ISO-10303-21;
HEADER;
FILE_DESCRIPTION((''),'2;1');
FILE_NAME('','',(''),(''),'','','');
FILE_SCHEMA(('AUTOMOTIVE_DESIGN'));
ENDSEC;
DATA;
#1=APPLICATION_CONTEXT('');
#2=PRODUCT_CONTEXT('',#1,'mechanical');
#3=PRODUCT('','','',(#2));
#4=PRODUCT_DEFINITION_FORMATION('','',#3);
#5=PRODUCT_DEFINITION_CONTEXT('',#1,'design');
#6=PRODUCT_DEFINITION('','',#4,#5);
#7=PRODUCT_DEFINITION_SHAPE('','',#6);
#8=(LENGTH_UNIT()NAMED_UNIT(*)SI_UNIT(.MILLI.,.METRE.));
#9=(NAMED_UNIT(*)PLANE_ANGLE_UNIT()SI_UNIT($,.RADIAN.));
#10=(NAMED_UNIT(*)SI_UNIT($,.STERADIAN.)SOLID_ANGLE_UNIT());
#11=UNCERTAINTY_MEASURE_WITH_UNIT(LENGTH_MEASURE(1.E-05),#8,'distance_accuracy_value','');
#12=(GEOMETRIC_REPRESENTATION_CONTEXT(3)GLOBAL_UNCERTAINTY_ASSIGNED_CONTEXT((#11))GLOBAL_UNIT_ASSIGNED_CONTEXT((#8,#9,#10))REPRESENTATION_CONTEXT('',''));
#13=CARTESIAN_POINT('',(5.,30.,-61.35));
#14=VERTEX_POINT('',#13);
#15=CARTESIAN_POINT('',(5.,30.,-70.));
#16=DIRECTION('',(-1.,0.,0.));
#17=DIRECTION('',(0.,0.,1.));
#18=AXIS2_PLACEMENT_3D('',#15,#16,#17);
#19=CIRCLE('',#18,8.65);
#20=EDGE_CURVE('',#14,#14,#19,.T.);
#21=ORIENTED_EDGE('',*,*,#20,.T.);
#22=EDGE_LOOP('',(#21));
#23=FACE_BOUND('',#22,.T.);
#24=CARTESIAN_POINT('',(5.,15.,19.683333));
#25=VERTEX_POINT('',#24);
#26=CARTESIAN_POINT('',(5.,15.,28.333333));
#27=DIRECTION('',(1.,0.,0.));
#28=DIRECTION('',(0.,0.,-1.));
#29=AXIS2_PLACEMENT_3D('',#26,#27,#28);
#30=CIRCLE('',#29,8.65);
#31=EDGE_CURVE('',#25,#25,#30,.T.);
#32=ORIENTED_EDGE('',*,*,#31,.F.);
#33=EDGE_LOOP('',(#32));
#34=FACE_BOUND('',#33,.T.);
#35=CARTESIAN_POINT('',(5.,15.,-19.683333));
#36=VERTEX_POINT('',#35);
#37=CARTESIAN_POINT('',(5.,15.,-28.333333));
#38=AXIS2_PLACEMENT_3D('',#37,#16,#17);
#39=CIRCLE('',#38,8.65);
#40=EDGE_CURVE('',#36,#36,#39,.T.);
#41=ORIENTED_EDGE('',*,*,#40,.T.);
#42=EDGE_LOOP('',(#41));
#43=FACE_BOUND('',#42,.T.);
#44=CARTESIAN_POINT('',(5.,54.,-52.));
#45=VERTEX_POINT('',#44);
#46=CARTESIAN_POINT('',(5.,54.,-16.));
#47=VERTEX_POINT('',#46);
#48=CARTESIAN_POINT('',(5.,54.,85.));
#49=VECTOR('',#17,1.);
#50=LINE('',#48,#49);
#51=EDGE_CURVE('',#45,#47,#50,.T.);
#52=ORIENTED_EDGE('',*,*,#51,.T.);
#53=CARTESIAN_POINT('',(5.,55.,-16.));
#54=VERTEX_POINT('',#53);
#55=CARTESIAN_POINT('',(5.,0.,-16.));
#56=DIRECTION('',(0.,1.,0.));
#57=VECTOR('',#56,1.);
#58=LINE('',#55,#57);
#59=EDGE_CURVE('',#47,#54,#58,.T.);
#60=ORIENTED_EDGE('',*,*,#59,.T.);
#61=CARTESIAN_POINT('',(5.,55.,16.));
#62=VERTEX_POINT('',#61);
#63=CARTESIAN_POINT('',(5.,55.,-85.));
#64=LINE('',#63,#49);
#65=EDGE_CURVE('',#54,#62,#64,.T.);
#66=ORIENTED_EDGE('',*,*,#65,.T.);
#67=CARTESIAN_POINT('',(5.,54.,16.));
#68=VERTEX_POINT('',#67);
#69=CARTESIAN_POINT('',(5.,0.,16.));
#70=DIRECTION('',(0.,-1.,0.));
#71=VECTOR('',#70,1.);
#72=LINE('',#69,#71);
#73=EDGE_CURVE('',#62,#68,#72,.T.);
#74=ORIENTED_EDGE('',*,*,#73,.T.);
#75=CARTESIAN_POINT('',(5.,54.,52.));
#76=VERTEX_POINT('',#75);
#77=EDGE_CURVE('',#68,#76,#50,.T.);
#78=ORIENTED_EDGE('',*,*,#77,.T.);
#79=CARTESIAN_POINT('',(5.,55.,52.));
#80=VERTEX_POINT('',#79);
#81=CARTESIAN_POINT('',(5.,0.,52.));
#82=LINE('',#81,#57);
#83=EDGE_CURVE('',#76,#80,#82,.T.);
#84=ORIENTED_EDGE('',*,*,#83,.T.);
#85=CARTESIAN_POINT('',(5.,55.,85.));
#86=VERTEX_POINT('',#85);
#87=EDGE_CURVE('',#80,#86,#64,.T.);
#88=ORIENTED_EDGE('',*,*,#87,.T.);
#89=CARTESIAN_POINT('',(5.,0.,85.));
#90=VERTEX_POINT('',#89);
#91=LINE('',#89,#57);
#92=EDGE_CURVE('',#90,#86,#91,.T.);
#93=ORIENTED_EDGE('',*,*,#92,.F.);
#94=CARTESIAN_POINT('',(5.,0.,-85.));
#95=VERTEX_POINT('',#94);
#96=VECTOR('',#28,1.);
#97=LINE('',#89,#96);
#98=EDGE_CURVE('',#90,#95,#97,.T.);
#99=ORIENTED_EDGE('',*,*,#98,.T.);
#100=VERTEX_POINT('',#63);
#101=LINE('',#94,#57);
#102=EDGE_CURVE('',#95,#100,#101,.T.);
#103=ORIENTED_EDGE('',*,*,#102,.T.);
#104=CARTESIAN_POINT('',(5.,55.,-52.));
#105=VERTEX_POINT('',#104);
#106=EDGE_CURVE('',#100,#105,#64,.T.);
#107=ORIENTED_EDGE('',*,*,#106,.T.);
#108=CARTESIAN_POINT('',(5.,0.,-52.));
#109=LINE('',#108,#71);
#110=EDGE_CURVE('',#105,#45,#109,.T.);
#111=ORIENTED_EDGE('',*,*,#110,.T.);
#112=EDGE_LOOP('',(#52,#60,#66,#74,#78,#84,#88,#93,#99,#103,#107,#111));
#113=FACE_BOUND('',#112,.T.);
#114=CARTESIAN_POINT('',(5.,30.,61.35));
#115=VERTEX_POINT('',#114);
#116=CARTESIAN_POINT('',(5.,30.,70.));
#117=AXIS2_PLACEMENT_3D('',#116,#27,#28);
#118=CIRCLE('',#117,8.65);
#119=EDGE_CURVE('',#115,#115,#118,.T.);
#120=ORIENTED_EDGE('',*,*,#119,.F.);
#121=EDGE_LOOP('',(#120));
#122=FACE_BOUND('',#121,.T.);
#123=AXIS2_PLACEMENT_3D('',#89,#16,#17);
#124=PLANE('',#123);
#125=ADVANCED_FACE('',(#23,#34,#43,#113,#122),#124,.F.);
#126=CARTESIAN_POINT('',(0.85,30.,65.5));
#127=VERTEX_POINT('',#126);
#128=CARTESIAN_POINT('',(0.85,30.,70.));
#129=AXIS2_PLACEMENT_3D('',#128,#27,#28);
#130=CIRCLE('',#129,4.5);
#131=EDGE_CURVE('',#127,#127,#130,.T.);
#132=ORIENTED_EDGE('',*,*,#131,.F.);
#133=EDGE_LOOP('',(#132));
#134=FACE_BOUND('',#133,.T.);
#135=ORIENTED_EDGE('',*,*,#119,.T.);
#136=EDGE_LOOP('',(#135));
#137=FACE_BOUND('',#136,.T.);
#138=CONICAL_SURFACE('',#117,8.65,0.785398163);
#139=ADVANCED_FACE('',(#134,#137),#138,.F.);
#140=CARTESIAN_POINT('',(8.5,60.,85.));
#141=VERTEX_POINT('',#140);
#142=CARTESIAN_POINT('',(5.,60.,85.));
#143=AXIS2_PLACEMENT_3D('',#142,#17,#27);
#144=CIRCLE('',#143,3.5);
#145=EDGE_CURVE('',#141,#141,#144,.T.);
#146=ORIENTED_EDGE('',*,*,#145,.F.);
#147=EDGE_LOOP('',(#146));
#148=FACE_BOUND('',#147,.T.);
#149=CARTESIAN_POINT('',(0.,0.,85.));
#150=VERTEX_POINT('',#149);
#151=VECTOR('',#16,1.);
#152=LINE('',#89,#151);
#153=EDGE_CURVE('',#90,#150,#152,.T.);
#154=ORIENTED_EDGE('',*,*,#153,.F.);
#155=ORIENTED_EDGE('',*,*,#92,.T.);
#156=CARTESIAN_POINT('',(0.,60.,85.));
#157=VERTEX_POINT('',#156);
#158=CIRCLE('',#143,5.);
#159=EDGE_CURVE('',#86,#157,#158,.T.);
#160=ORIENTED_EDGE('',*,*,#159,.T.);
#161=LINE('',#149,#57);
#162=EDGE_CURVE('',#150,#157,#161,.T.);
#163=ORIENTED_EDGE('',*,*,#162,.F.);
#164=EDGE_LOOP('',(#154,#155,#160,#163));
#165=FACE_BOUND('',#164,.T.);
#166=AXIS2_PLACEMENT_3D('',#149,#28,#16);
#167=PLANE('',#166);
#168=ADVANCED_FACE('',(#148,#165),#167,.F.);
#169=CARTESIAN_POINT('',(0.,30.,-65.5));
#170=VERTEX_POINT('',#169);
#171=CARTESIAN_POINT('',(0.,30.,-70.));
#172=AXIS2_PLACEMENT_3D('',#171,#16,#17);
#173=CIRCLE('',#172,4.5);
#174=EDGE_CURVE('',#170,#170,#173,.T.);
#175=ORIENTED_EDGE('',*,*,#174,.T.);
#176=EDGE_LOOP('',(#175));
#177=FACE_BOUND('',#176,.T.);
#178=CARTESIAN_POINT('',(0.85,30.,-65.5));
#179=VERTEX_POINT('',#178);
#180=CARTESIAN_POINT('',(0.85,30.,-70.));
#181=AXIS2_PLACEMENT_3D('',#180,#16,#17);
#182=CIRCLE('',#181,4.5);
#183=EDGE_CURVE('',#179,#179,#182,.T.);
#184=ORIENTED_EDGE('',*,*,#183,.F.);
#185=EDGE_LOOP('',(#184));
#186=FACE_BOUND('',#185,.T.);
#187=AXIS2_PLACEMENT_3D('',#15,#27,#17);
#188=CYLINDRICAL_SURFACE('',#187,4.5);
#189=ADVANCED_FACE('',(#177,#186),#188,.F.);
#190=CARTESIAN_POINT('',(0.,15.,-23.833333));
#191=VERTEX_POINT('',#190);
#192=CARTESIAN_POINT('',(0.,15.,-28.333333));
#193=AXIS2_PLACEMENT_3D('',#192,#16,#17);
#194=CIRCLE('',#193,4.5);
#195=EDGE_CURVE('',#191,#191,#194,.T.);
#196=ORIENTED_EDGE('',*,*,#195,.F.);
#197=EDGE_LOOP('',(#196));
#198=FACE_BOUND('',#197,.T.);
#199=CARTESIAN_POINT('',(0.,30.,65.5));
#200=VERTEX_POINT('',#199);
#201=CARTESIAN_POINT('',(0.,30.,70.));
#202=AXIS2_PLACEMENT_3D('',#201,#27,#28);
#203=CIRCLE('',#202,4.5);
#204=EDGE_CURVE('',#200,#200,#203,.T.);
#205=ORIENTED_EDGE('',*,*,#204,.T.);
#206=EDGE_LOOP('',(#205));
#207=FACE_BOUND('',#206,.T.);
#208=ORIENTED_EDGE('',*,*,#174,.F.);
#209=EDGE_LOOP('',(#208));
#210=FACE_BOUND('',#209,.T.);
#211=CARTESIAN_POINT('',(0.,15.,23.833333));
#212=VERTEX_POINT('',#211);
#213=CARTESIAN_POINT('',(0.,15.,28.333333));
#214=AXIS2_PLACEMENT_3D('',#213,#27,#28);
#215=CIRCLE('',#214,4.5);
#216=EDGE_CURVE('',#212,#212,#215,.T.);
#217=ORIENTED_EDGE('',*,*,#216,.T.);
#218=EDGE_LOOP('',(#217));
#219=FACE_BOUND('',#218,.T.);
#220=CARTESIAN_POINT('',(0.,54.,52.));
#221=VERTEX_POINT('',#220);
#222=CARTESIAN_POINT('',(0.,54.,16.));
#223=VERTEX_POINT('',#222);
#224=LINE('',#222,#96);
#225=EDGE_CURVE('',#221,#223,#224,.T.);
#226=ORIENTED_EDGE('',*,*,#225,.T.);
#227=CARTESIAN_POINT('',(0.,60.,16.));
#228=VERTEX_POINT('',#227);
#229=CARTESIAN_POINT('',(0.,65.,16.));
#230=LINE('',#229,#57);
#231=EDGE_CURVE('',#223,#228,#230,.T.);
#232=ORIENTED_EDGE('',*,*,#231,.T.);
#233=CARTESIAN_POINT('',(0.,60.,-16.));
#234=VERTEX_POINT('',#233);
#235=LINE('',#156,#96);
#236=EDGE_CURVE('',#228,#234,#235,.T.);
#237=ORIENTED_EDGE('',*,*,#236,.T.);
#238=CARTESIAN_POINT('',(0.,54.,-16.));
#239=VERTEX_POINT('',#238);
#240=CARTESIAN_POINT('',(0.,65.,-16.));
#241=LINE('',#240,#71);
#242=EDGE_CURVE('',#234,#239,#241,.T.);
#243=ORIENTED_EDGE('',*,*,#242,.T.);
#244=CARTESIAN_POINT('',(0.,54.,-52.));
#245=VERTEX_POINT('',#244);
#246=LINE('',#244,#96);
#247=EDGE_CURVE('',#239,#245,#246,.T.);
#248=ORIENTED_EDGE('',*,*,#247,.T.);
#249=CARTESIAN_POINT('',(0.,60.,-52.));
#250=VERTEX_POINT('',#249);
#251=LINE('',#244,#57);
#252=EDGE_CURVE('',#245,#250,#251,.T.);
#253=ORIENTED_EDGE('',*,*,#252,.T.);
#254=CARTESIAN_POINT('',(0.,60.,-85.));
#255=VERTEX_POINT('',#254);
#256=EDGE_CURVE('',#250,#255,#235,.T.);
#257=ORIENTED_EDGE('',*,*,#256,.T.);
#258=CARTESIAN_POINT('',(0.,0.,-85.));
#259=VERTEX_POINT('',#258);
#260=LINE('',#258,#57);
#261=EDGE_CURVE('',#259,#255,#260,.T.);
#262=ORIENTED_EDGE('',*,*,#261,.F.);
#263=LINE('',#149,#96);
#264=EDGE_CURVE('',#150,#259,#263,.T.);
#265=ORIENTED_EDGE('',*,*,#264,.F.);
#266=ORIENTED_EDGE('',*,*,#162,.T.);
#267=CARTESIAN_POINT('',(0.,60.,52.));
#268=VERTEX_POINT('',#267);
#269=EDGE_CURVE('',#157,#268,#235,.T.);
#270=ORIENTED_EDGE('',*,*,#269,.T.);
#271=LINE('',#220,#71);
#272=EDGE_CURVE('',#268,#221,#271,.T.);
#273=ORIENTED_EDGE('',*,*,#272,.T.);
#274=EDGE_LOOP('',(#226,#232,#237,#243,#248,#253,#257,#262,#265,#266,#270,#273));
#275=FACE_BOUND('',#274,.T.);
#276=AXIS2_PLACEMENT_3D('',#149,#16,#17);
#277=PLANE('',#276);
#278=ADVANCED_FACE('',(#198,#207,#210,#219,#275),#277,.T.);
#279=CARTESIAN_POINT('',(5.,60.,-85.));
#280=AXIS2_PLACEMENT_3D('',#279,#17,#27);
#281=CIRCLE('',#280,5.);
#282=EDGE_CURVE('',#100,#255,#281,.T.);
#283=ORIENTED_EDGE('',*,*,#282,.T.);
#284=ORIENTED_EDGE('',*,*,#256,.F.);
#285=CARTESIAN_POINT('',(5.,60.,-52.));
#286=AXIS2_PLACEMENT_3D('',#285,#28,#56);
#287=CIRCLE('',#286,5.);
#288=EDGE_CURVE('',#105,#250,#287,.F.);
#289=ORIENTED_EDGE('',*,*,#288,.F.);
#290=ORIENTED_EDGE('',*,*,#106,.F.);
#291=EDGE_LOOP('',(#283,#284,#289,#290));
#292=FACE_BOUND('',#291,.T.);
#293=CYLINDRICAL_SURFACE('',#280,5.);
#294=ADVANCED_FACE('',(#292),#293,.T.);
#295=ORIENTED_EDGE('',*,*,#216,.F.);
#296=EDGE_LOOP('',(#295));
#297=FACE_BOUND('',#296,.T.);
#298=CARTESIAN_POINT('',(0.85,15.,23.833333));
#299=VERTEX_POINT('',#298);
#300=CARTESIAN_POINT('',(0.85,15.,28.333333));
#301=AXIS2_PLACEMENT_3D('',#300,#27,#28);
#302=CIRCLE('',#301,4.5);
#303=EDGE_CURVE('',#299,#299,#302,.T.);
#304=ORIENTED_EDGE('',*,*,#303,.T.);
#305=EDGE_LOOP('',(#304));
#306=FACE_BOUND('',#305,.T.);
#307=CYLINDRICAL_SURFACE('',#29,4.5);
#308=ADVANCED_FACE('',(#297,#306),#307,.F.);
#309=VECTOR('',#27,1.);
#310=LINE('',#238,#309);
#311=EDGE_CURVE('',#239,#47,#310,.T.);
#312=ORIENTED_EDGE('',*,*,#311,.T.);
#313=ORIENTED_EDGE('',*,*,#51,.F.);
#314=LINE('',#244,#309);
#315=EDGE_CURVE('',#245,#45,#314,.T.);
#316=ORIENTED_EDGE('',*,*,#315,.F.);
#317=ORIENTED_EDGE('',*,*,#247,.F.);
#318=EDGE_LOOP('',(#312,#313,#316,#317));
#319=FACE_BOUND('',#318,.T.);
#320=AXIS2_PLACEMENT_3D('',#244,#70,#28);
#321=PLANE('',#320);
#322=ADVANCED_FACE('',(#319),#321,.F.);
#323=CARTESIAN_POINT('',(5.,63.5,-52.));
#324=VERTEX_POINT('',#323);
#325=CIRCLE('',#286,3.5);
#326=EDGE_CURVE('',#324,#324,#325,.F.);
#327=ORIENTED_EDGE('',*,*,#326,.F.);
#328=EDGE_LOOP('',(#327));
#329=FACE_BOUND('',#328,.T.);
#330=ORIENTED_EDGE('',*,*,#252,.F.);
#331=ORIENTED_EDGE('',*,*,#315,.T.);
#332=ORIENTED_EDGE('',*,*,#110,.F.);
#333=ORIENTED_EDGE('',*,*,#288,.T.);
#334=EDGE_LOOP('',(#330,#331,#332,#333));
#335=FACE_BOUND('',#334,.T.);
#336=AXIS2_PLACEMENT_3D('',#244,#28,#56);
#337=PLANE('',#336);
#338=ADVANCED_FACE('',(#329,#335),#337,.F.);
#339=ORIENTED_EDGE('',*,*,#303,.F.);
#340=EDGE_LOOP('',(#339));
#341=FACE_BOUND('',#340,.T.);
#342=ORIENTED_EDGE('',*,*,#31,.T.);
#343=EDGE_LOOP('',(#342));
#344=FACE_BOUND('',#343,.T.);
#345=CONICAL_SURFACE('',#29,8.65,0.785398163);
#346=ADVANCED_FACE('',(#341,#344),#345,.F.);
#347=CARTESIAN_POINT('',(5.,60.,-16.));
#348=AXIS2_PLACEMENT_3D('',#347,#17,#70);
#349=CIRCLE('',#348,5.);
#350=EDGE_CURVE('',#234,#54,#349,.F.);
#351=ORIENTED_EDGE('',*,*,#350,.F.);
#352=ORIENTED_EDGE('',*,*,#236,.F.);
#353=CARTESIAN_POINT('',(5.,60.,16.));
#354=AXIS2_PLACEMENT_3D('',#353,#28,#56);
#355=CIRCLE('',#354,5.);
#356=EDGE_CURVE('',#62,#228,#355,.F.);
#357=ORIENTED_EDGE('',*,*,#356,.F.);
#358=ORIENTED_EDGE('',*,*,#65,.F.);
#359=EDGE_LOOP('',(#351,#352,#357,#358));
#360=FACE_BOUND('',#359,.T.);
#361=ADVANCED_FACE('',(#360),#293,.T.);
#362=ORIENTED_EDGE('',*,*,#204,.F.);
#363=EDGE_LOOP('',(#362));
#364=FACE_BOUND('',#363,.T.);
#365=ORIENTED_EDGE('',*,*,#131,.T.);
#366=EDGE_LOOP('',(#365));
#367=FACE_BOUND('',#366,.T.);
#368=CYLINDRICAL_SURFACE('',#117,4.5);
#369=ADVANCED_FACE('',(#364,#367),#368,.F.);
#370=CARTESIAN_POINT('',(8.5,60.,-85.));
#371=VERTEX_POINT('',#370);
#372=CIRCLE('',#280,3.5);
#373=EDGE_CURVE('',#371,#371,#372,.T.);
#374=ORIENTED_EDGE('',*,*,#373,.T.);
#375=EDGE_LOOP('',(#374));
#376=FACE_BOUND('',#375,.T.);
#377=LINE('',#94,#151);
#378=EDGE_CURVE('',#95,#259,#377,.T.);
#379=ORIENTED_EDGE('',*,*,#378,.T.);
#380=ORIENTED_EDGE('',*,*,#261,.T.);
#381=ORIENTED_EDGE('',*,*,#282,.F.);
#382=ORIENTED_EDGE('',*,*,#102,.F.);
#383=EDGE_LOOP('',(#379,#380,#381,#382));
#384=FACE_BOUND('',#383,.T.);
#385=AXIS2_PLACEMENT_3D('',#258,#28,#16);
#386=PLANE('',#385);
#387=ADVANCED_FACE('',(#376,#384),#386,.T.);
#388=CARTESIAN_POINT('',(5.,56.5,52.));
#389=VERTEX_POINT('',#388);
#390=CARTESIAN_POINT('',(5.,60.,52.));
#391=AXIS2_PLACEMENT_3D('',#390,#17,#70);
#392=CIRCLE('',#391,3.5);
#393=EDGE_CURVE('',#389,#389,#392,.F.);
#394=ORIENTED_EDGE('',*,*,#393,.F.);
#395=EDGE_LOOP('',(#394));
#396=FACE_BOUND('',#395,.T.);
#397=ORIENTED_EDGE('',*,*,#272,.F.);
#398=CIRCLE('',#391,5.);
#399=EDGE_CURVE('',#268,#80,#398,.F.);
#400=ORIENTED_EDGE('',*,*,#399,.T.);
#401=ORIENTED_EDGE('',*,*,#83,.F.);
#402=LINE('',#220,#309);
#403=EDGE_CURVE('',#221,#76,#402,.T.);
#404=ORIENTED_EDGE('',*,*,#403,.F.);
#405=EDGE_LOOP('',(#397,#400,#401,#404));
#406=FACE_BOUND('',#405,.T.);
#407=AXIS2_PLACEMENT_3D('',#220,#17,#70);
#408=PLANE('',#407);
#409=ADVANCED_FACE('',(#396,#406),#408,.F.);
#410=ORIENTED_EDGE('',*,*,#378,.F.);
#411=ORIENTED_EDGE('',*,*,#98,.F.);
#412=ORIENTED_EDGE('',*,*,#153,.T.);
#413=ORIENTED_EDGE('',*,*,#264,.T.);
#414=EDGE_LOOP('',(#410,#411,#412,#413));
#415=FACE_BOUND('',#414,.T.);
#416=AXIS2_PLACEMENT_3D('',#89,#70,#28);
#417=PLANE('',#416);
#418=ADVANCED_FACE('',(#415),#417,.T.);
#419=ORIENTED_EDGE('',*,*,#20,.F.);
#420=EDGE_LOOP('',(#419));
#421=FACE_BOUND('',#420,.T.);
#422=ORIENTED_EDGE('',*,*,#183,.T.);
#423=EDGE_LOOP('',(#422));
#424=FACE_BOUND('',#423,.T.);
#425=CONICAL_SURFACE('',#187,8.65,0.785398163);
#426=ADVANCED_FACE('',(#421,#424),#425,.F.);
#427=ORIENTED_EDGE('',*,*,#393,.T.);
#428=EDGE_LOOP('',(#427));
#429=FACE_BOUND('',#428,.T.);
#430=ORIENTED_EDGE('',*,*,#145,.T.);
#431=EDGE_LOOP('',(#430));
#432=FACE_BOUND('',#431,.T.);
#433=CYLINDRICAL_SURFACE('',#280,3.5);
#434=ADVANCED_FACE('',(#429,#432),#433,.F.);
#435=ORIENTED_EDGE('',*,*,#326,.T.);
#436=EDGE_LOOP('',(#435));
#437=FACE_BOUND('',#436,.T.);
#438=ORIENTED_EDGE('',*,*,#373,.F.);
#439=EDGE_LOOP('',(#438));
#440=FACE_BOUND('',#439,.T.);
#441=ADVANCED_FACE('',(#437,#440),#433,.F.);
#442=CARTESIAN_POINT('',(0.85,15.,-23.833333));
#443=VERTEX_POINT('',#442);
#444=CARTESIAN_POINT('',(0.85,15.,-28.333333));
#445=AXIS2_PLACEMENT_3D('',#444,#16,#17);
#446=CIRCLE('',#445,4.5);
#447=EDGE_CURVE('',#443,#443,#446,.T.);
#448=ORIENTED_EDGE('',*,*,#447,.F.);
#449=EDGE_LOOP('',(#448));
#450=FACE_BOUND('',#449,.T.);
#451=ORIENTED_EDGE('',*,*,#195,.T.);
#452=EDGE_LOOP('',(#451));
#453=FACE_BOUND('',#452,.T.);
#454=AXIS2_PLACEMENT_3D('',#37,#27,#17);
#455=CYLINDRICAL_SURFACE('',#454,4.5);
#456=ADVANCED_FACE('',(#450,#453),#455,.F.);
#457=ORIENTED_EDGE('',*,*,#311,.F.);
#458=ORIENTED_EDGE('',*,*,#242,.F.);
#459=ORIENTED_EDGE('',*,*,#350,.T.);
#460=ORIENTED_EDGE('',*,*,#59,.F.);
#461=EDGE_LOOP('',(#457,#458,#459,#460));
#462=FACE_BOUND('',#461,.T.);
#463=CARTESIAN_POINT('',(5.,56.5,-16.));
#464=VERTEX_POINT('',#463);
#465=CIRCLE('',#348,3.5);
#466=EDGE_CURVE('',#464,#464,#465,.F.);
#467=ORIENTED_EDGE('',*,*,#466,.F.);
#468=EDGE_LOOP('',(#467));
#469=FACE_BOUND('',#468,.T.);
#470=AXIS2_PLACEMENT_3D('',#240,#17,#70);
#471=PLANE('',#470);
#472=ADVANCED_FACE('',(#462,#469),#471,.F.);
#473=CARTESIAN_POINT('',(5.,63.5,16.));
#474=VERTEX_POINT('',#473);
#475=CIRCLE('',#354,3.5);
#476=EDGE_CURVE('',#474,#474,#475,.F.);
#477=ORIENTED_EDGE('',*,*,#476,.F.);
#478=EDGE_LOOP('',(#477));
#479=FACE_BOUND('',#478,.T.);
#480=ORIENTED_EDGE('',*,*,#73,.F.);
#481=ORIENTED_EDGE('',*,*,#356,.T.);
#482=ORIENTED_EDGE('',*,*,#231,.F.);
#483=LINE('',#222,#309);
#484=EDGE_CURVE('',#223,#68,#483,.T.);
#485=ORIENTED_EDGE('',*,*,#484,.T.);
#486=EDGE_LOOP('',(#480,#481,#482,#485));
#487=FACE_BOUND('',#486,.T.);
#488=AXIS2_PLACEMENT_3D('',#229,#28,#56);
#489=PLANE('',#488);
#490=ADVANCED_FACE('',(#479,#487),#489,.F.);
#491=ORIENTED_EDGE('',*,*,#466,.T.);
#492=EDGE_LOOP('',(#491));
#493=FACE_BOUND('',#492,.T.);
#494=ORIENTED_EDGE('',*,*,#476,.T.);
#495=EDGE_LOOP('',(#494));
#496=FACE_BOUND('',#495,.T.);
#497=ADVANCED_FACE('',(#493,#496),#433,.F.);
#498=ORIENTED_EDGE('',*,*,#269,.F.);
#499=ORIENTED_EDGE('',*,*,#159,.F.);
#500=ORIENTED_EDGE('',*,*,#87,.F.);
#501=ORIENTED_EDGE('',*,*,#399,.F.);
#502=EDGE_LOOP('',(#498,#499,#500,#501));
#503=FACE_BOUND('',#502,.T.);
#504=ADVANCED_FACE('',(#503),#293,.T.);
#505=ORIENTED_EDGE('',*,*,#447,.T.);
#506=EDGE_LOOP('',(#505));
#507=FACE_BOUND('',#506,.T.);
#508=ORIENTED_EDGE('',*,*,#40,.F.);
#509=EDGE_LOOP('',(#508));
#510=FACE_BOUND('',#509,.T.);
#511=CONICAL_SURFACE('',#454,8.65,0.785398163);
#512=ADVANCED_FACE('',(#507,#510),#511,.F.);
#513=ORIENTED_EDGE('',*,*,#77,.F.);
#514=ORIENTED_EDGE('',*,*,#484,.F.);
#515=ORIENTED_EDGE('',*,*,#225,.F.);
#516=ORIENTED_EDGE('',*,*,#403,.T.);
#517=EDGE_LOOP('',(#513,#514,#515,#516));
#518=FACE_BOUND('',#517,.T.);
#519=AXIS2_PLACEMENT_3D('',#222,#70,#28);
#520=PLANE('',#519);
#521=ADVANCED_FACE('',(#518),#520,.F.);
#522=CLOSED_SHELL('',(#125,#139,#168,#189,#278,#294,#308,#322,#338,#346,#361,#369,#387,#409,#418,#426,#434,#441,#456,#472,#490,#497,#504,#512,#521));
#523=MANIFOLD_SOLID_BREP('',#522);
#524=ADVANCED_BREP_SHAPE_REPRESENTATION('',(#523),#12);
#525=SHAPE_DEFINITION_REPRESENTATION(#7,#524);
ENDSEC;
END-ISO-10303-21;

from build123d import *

# Parameters (mm, degrees)
SKETCH1_W                                      = 5
SKETCH1_H                                      = 60
EXTRUDE_THIN1_DEPTH                            = 85
SKETCH3_R                                      = 5
SKETCH4_R                                      = 3.5
CUT_EXTRUDE1_DEPTH                             = 183.277261336
CSK_FOR_M8_FLAT_HEAD_MACHINE_SCREW1_AT_2_COUNT = 2
CSK_FOR_M8_FLAT_HEAD_MACHINE_SCREW1_AT_2_PITCH = 44.284434185
F_2CUTS_DEPTH                                  = 108.121426428
F_2CUTS_DEPTH_BACK                             = 108.121426428
SKETCH9_W                                      = 36
SKETCH9_H                                      = 11


with BuildPart() as part:
    # Sketch1 → Extrude-Thin1 (new, symmetric)
    with BuildSketch(Plane.XY):
        with Locations((2.5, 30)):
            Rectangle(SKETCH1_W, SKETCH1_H)
    extrude(amount=EXTRUDE_THIN1_DEPTH, both=True)

    # Sweep1: sweep along a curve in space
    with BuildLine() as sweep1_path:
        Line((5, 60, 85), (5, 60, -85))
    # Sketch3 → Sweep1 (sweep)
    with BuildSketch(Plane.XY.offset(85)):
        with Locations((5, 60)):
            Circle(SKETCH3_R)
    sweep(path=sweep1_path.line)

    # Sketch4 → Cut-Extrude1 (cut, through all)
    with BuildSketch(Plane.XY.offset(85)):
        with Locations((5, 60)):
            Circle(SKETCH4_R)
    extrude(amount=-CUT_EXTRUDE1_DEPTH, mode=Mode.SUBTRACT)

    # Sketch5 → CSK for M8 Flat Head Machine Screw1 (revolve, cut)
    with BuildSketch(Plane(origin=(5, 30, 70), x_dir=(0, 0, -1), z_dir=(0, 1, 0))):
        Polygon((0, 0), (0, 5), (4.5, 5), (4.5, 4.15), (8.65, 0), align=None)
    csk_for_m8_flat_head_machine_screw1 = revolve(axis=Axis((11.35, 30, 70), (-1, 0, 0)), mode=Mode.SUBTRACT)

    # CSK for M8 Flat Head Machine Screw1 at 2: CSK for M8 Flat Head Machine Screw1 ×2
    with Locations(*[Vector(0, -0.33871946827274174, -0.9408874118687268) * (i * CSK_FOR_M8_FLAT_HEAD_MACHINE_SCREW1_AT_2_PITCH) for i in range(1, CSK_FOR_M8_FLAT_HEAD_MACHINE_SCREW1_AT_2_COUNT)]):
        add(csk_for_m8_flat_head_machine_screw1, mode=Mode.SUBTRACT)

    # Mirror1: CSK for M8 Flat Head Machine Screw1 across plane
    add(csk_for_m8_flat_head_machine_screw1.mirror(Plane.XY), mode=Mode.SUBTRACT)

    # Mirror1 copy 1 sketch → Mirror1 copy 1 (revolve, cut)
    with BuildSketch(Plane(origin=(5, 15, -28.333333333), x_dir=(0, 0, 1), z_dir=(0, 1, 0))):
        Polygon((0, 0), (0, -5), (4.5, -5), (4.5, -4.15), (8.65, 0), align=None)
    revolve(axis=Axis((11.35, 15, -28.333333333), (1, 0, 0)), mode=Mode.SUBTRACT)

    # Sketch9 → 2Cuts (cut, two sides: drawn at the far end of the back side and taken through both)
    with BuildSketch(Plane(origin=(5, 0, 0), x_dir=(0, 0, -1), z_dir=(1, 0, 0)).offset(-F_2CUTS_DEPTH_BACK)):
        with Locations((34, 59.5)):
            Rectangle(SKETCH9_W, SKETCH9_H)
        with Locations((-34, 59.5)):
            Rectangle(SKETCH9_W, SKETCH9_H)
    extrude(amount=F_2CUTS_DEPTH + F_2CUTS_DEPTH_BACK, mode=Mode.SUBTRACT)


solid = part.part
